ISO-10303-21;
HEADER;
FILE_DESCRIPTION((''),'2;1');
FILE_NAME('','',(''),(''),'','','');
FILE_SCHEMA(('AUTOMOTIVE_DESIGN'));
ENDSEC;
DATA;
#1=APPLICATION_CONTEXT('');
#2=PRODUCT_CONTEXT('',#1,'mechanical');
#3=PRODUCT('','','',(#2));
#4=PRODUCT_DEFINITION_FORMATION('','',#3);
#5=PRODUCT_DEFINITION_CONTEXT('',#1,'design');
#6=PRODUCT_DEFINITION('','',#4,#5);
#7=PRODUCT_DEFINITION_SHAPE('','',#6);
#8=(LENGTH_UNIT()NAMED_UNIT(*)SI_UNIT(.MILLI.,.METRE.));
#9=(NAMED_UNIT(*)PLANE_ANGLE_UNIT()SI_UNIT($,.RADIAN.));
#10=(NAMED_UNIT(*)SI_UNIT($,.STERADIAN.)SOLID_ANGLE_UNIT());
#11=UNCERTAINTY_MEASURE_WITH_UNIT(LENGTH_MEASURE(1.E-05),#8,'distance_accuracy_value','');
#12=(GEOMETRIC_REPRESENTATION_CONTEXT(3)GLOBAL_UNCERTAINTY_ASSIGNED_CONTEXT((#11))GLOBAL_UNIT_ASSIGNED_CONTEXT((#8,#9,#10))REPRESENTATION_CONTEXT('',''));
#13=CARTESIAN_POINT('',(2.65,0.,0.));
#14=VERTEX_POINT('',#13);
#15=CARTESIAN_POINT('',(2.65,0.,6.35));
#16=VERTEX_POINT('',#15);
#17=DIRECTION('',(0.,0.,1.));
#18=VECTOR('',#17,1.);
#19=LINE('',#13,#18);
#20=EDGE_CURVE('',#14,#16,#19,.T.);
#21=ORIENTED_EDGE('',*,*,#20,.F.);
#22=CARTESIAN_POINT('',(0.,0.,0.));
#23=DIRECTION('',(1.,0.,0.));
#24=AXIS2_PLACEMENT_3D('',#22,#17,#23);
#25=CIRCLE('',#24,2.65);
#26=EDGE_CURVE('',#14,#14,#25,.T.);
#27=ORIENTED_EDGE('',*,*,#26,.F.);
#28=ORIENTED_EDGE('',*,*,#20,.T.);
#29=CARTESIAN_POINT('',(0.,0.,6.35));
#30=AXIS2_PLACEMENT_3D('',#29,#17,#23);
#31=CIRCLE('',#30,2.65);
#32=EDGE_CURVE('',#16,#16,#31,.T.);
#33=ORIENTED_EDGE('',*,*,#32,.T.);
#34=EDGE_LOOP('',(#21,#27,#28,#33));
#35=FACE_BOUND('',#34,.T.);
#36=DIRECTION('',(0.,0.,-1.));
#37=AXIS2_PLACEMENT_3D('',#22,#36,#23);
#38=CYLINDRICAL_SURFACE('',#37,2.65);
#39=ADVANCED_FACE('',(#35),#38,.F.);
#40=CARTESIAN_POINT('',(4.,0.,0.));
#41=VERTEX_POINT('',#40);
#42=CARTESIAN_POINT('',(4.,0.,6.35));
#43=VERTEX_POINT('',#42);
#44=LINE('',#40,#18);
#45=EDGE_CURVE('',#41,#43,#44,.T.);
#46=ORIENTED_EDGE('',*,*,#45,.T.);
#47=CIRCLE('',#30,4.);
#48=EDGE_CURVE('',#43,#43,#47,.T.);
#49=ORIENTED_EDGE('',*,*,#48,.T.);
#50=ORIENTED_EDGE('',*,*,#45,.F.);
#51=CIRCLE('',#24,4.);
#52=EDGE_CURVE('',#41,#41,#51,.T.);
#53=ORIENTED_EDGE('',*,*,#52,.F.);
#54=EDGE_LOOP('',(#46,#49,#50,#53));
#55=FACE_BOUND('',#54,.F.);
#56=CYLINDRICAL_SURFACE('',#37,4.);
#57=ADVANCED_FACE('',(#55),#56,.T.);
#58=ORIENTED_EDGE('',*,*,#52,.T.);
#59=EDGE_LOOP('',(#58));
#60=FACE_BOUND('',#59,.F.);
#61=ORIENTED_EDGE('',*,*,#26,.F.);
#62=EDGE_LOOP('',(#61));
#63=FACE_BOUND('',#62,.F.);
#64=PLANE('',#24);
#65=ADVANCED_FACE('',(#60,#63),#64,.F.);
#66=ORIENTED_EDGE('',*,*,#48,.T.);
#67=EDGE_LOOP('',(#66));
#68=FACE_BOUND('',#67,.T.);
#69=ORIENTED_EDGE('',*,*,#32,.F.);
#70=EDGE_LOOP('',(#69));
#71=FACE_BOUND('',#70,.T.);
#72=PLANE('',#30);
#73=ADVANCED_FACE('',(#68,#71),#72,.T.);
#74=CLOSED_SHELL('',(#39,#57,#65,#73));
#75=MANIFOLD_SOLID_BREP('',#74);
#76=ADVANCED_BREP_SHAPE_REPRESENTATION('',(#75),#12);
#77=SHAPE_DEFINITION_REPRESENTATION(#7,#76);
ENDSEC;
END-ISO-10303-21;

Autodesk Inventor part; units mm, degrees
ref_plane "YZ Plane" through (0, 0, 0) normal (1, 0, 0) x (0, 1, 0)
ref_plane "XZ Plane" through (0, 0, 0) normal (0, 1, 0) x (-1, 0, 0)
ref_plane "XY Plane" through (0, 0, 0) normal (0, 0, 1) x (1, 0, 0)
sketch "Sketch1" plane through (0, 0, 0) normal (0, 0, 1) x (1, 0, 0)
  circle A0 centre (0, 0) radius 2.65
  circle A1 centre (0, 0) radius 4
  dimension "d0" = 5.3
  dimension "d1" = 8
extrude "Extrusion1" add sketch "Sketch1" along normal blind 6.35
properties part number "Normal M5 Wheel Spacer" material "Aluminum 6061"
